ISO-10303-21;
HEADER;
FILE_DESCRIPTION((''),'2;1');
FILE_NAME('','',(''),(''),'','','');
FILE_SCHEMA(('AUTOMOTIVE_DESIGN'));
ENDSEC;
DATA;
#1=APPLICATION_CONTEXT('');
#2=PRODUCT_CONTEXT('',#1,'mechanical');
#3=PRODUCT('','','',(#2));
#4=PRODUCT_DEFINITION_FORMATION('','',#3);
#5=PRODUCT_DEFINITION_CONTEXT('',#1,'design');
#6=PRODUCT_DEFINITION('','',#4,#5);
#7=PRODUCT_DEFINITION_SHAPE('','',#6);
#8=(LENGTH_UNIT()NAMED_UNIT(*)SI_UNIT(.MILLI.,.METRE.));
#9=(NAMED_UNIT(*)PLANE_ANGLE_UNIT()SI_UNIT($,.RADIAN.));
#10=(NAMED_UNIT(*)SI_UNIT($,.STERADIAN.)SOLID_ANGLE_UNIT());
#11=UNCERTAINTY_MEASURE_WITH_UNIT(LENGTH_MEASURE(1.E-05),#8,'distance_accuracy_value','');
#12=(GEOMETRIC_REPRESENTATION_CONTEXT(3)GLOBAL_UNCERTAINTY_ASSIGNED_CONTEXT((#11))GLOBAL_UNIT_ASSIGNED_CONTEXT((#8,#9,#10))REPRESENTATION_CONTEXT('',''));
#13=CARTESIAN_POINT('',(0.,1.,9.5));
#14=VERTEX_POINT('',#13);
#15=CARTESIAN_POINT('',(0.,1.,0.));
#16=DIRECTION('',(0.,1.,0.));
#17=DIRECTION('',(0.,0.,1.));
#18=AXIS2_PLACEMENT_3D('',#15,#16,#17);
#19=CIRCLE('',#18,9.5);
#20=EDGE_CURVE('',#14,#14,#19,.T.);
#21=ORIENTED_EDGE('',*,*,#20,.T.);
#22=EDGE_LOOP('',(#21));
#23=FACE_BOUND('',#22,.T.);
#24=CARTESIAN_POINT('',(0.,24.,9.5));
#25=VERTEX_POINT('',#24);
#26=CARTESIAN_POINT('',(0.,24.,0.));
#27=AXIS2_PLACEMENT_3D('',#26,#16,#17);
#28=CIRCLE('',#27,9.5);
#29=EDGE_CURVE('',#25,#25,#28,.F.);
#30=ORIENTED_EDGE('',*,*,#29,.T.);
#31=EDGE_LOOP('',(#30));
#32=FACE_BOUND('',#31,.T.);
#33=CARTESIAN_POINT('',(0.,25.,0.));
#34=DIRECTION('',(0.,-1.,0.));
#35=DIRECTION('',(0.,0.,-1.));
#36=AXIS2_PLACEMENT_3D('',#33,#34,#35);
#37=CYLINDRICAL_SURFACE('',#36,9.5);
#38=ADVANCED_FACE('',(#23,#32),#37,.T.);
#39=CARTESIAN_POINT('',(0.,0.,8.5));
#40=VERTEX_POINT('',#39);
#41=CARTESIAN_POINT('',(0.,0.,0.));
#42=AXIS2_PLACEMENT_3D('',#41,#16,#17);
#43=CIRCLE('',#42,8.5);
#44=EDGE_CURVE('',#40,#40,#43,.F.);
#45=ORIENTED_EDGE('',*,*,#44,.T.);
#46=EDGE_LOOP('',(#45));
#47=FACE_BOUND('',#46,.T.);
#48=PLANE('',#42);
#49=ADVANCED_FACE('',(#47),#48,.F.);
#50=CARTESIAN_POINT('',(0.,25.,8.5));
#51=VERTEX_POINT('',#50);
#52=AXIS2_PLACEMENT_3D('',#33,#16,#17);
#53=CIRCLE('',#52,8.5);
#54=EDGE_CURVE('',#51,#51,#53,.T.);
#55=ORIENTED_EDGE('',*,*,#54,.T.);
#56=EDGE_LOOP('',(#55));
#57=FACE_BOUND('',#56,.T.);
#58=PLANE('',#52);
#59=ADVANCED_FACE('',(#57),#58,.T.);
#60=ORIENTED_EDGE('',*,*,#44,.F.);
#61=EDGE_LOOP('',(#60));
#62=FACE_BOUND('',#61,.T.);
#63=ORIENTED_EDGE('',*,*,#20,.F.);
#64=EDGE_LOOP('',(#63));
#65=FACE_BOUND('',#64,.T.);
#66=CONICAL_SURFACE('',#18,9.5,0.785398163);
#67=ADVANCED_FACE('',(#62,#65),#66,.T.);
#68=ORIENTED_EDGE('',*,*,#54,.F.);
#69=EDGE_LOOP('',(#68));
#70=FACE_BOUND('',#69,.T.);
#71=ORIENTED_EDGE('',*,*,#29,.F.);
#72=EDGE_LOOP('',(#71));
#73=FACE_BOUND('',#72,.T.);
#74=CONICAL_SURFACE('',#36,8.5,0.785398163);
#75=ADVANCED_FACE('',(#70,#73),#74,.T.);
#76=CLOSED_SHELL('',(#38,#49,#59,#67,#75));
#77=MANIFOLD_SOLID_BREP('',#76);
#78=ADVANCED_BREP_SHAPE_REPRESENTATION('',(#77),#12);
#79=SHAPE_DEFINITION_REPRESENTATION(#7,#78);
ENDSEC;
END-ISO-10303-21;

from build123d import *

# Parameters (mm, degrees)
SKETCH1_R           = 9.5
BOSS_EXTRUDE1_DEPTH = 25
CHAMFER1_SIZE       = 1


with BuildPart() as part:
    # Sketch1 → Boss-Extrude1 (new body)
    with BuildSketch(Plane(origin=(0, 0, 0), x_dir=(1, 0, 0), z_dir=(0, 1, 0))):
        with Locations(Location((0, 0, 0), (0, 0, 270))):
            Circle(SKETCH1_R)
    extrude(amount=BOSS_EXTRUDE1_DEPTH)

    # Chamfer1
    chamfer1_edges = [part.edges().sort_by_distance(p)[0] for p in [
        (0, 0, -9.5),
        (0, 25, -9.5),
    ]]
    chamfer(chamfer1_edges, length=CHAMFER1_SIZE)


solid = part.part
